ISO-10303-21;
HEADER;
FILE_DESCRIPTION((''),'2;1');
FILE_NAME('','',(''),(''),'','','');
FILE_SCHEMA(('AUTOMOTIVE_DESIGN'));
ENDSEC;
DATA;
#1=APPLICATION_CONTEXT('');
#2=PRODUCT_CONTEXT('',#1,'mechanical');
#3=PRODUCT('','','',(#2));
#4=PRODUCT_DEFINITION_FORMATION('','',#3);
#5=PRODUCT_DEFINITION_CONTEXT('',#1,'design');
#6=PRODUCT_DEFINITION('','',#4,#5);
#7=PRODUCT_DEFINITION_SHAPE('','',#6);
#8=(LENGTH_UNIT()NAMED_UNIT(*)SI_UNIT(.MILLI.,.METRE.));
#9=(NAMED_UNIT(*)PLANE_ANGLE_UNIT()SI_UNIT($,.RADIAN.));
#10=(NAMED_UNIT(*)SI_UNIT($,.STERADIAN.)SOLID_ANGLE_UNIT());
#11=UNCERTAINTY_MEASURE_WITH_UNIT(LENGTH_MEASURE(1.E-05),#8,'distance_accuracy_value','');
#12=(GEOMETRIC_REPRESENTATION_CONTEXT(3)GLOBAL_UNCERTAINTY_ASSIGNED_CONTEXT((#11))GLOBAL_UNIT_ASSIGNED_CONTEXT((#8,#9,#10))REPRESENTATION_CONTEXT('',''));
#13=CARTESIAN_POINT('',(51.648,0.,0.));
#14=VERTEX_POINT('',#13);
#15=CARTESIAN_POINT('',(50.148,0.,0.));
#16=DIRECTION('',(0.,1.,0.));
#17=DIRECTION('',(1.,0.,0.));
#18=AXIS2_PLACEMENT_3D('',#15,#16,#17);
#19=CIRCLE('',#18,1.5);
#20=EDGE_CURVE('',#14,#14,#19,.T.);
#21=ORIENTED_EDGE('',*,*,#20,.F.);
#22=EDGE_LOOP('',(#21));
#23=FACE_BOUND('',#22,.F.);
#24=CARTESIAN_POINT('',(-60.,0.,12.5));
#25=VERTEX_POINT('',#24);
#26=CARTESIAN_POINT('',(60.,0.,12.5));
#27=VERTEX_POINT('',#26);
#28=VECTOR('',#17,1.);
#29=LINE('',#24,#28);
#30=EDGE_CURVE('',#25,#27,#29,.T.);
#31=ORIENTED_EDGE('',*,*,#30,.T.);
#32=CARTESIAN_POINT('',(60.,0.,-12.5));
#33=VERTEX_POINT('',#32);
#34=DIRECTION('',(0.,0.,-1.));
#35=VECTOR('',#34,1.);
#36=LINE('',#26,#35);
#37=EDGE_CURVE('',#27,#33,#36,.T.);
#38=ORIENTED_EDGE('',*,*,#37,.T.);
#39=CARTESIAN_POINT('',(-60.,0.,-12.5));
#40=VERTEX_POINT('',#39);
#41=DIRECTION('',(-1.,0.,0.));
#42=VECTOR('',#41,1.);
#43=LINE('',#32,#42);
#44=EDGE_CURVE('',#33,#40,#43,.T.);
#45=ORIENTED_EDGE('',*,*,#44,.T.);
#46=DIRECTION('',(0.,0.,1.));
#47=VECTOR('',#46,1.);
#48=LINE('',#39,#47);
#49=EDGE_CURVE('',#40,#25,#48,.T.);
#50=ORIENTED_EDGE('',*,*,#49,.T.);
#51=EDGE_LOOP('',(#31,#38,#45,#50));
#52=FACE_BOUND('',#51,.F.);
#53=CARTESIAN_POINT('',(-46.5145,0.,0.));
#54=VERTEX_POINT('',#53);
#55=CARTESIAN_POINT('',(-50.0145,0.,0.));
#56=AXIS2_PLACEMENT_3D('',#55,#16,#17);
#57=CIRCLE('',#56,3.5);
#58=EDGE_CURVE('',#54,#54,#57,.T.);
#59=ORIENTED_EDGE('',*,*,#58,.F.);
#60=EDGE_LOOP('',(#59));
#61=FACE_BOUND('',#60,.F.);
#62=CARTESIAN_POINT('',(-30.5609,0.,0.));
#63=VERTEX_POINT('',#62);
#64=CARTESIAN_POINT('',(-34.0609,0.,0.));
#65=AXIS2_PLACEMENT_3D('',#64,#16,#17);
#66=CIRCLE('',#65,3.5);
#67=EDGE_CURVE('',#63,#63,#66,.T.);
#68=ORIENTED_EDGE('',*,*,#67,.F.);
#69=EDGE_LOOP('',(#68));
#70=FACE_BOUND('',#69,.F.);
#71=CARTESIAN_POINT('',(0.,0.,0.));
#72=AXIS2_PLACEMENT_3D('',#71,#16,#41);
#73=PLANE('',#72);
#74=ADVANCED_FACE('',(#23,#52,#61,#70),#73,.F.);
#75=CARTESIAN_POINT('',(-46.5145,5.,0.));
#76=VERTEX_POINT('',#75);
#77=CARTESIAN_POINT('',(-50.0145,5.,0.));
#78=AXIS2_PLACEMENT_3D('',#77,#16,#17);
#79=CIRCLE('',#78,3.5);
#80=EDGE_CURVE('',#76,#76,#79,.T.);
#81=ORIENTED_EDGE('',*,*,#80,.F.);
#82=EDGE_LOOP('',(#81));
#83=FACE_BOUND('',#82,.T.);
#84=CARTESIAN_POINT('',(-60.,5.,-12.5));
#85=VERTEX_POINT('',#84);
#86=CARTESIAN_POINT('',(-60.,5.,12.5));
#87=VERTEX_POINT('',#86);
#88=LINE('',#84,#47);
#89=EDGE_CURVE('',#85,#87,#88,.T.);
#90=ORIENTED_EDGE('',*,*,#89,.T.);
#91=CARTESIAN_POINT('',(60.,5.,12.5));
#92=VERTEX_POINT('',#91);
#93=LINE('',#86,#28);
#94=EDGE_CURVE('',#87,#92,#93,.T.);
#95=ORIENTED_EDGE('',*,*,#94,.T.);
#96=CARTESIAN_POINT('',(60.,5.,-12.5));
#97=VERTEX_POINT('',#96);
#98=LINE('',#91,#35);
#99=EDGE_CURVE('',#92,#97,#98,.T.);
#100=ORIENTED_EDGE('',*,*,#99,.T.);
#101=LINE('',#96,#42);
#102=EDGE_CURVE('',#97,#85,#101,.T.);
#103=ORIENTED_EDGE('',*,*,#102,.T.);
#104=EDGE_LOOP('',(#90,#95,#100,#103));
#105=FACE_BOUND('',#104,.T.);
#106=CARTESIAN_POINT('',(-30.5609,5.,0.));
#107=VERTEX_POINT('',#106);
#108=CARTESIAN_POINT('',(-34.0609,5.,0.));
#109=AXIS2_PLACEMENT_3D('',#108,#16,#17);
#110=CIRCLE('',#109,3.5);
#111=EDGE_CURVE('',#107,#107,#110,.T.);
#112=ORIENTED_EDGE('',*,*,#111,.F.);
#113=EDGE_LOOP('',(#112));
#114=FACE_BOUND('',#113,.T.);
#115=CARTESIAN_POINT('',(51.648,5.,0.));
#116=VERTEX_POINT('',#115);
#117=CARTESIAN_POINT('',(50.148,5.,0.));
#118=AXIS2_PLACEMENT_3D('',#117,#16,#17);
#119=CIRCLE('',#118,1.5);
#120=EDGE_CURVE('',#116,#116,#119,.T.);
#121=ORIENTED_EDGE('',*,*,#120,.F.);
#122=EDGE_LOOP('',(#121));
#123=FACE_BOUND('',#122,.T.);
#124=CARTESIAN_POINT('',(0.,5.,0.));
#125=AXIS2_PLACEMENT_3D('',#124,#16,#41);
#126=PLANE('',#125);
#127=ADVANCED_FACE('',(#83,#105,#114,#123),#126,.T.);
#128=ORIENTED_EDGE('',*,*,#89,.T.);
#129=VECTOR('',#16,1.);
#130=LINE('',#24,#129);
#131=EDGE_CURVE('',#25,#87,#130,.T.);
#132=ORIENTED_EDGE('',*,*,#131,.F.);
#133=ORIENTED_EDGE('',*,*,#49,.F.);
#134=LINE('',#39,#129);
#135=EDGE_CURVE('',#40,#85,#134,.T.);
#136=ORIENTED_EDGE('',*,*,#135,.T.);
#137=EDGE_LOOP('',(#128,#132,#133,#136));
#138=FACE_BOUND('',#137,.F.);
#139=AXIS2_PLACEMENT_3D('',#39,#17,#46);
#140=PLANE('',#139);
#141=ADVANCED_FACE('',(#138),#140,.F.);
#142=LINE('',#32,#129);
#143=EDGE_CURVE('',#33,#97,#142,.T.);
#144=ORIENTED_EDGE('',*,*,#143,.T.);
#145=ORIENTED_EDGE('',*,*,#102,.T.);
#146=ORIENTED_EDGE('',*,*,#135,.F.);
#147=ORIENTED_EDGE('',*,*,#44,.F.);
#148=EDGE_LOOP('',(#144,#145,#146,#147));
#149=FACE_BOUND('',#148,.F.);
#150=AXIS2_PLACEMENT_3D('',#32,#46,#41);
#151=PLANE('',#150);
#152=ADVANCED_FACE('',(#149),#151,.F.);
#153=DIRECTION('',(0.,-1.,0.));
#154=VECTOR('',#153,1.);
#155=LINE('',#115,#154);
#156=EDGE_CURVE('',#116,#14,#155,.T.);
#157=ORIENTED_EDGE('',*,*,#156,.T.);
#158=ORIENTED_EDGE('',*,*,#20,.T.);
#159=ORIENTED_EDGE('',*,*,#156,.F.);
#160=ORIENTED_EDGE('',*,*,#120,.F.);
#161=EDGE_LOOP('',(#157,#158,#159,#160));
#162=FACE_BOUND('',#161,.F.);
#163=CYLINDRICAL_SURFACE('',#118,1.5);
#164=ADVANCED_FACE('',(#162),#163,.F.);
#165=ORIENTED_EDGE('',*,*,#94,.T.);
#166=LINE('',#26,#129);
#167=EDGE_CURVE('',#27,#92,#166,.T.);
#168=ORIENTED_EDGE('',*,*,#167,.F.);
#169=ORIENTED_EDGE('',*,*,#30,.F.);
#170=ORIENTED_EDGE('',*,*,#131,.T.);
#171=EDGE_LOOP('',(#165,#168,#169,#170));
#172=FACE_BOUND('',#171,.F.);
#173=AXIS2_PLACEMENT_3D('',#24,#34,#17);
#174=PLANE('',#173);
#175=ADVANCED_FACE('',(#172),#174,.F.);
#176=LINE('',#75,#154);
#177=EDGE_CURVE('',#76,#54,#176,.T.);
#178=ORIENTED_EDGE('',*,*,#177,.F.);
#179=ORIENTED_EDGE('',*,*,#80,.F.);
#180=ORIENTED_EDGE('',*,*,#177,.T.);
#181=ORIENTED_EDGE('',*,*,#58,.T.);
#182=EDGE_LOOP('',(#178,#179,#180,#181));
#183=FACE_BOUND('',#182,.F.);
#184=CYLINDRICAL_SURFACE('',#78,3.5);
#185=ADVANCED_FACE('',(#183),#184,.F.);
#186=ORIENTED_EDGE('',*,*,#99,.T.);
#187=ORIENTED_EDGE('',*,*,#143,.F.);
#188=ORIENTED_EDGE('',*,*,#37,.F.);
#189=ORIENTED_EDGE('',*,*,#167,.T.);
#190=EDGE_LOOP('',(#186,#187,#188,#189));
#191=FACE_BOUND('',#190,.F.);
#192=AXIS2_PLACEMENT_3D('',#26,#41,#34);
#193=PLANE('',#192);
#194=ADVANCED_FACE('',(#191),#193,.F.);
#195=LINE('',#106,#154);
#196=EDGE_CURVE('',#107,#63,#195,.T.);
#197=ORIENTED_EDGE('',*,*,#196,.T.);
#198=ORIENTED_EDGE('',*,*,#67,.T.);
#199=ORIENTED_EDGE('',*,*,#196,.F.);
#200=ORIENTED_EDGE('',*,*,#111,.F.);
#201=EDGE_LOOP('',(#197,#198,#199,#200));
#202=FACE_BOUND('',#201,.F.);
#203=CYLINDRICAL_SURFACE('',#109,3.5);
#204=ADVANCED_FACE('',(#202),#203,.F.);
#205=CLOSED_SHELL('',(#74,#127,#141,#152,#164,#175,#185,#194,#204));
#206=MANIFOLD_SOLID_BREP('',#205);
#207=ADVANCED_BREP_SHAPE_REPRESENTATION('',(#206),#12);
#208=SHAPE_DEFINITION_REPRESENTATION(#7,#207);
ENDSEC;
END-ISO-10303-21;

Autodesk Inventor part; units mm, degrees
ref_plane "YZ Plane" through (0, 0, 0) normal (1, 0, 0) x (0, 1, 0)
ref_plane "XZ Plane" through (0, 0, 0) normal (0, 1, 0) x (-1, 0, 0)
ref_plane "XY Plane" through (0, 0, 0) normal (0, 0, 1) x (1, 0, 0)
sketch "Sketch1" plane through (0, 0, 0) normal (0, 1, 0) x (-1, 0, 0)
  line L0 (60, 12.5) -> (-60, 12.5)
  line L1 (-60, 12.5) -> (-60, -12.5)
  line L2 (-60, -12.5) -> (60, -12.5)
  line L3 (60, -12.5) -> (60, 12.5)
  line L4 (60, 12.5) -> (-60, -12.5) construction
  line L5 (-60, 12.5) -> (60, -12.5) construction
  point P0 (0, 0)
  dimension "d0" = 120
  dimension "d1" = 25
extrude "Extrusion1" add sketch "Sketch1" along normal blind 5
sketch "Sketch2" plane through (0, 5, 0) normal (0, 1, 0) x (1, 0, 0)
  circle A0 centre (-50.0145, 0) radius 3.5
  circle A1 centre (-34.0609, 0) radius 3.5
  point P0 (0, 0)
  dimension "d4" = 7
  dimension "d5" = 7
extrude "Extrusion2" cut sketch "Sketch2" against normal blind 20
sketch "Sketch3" plane through (0, 5, 0) normal (0, 1, 0) x (1, 0, 0)
  circle A0 centre (50.148, 0) radius 1.5
  point P0 (0, 0)
  dimension "d8" = 3
extrude "Extrusion3" cut sketch "Sketch3" against normal blind 20
properties part number "Stationary arm 2"
